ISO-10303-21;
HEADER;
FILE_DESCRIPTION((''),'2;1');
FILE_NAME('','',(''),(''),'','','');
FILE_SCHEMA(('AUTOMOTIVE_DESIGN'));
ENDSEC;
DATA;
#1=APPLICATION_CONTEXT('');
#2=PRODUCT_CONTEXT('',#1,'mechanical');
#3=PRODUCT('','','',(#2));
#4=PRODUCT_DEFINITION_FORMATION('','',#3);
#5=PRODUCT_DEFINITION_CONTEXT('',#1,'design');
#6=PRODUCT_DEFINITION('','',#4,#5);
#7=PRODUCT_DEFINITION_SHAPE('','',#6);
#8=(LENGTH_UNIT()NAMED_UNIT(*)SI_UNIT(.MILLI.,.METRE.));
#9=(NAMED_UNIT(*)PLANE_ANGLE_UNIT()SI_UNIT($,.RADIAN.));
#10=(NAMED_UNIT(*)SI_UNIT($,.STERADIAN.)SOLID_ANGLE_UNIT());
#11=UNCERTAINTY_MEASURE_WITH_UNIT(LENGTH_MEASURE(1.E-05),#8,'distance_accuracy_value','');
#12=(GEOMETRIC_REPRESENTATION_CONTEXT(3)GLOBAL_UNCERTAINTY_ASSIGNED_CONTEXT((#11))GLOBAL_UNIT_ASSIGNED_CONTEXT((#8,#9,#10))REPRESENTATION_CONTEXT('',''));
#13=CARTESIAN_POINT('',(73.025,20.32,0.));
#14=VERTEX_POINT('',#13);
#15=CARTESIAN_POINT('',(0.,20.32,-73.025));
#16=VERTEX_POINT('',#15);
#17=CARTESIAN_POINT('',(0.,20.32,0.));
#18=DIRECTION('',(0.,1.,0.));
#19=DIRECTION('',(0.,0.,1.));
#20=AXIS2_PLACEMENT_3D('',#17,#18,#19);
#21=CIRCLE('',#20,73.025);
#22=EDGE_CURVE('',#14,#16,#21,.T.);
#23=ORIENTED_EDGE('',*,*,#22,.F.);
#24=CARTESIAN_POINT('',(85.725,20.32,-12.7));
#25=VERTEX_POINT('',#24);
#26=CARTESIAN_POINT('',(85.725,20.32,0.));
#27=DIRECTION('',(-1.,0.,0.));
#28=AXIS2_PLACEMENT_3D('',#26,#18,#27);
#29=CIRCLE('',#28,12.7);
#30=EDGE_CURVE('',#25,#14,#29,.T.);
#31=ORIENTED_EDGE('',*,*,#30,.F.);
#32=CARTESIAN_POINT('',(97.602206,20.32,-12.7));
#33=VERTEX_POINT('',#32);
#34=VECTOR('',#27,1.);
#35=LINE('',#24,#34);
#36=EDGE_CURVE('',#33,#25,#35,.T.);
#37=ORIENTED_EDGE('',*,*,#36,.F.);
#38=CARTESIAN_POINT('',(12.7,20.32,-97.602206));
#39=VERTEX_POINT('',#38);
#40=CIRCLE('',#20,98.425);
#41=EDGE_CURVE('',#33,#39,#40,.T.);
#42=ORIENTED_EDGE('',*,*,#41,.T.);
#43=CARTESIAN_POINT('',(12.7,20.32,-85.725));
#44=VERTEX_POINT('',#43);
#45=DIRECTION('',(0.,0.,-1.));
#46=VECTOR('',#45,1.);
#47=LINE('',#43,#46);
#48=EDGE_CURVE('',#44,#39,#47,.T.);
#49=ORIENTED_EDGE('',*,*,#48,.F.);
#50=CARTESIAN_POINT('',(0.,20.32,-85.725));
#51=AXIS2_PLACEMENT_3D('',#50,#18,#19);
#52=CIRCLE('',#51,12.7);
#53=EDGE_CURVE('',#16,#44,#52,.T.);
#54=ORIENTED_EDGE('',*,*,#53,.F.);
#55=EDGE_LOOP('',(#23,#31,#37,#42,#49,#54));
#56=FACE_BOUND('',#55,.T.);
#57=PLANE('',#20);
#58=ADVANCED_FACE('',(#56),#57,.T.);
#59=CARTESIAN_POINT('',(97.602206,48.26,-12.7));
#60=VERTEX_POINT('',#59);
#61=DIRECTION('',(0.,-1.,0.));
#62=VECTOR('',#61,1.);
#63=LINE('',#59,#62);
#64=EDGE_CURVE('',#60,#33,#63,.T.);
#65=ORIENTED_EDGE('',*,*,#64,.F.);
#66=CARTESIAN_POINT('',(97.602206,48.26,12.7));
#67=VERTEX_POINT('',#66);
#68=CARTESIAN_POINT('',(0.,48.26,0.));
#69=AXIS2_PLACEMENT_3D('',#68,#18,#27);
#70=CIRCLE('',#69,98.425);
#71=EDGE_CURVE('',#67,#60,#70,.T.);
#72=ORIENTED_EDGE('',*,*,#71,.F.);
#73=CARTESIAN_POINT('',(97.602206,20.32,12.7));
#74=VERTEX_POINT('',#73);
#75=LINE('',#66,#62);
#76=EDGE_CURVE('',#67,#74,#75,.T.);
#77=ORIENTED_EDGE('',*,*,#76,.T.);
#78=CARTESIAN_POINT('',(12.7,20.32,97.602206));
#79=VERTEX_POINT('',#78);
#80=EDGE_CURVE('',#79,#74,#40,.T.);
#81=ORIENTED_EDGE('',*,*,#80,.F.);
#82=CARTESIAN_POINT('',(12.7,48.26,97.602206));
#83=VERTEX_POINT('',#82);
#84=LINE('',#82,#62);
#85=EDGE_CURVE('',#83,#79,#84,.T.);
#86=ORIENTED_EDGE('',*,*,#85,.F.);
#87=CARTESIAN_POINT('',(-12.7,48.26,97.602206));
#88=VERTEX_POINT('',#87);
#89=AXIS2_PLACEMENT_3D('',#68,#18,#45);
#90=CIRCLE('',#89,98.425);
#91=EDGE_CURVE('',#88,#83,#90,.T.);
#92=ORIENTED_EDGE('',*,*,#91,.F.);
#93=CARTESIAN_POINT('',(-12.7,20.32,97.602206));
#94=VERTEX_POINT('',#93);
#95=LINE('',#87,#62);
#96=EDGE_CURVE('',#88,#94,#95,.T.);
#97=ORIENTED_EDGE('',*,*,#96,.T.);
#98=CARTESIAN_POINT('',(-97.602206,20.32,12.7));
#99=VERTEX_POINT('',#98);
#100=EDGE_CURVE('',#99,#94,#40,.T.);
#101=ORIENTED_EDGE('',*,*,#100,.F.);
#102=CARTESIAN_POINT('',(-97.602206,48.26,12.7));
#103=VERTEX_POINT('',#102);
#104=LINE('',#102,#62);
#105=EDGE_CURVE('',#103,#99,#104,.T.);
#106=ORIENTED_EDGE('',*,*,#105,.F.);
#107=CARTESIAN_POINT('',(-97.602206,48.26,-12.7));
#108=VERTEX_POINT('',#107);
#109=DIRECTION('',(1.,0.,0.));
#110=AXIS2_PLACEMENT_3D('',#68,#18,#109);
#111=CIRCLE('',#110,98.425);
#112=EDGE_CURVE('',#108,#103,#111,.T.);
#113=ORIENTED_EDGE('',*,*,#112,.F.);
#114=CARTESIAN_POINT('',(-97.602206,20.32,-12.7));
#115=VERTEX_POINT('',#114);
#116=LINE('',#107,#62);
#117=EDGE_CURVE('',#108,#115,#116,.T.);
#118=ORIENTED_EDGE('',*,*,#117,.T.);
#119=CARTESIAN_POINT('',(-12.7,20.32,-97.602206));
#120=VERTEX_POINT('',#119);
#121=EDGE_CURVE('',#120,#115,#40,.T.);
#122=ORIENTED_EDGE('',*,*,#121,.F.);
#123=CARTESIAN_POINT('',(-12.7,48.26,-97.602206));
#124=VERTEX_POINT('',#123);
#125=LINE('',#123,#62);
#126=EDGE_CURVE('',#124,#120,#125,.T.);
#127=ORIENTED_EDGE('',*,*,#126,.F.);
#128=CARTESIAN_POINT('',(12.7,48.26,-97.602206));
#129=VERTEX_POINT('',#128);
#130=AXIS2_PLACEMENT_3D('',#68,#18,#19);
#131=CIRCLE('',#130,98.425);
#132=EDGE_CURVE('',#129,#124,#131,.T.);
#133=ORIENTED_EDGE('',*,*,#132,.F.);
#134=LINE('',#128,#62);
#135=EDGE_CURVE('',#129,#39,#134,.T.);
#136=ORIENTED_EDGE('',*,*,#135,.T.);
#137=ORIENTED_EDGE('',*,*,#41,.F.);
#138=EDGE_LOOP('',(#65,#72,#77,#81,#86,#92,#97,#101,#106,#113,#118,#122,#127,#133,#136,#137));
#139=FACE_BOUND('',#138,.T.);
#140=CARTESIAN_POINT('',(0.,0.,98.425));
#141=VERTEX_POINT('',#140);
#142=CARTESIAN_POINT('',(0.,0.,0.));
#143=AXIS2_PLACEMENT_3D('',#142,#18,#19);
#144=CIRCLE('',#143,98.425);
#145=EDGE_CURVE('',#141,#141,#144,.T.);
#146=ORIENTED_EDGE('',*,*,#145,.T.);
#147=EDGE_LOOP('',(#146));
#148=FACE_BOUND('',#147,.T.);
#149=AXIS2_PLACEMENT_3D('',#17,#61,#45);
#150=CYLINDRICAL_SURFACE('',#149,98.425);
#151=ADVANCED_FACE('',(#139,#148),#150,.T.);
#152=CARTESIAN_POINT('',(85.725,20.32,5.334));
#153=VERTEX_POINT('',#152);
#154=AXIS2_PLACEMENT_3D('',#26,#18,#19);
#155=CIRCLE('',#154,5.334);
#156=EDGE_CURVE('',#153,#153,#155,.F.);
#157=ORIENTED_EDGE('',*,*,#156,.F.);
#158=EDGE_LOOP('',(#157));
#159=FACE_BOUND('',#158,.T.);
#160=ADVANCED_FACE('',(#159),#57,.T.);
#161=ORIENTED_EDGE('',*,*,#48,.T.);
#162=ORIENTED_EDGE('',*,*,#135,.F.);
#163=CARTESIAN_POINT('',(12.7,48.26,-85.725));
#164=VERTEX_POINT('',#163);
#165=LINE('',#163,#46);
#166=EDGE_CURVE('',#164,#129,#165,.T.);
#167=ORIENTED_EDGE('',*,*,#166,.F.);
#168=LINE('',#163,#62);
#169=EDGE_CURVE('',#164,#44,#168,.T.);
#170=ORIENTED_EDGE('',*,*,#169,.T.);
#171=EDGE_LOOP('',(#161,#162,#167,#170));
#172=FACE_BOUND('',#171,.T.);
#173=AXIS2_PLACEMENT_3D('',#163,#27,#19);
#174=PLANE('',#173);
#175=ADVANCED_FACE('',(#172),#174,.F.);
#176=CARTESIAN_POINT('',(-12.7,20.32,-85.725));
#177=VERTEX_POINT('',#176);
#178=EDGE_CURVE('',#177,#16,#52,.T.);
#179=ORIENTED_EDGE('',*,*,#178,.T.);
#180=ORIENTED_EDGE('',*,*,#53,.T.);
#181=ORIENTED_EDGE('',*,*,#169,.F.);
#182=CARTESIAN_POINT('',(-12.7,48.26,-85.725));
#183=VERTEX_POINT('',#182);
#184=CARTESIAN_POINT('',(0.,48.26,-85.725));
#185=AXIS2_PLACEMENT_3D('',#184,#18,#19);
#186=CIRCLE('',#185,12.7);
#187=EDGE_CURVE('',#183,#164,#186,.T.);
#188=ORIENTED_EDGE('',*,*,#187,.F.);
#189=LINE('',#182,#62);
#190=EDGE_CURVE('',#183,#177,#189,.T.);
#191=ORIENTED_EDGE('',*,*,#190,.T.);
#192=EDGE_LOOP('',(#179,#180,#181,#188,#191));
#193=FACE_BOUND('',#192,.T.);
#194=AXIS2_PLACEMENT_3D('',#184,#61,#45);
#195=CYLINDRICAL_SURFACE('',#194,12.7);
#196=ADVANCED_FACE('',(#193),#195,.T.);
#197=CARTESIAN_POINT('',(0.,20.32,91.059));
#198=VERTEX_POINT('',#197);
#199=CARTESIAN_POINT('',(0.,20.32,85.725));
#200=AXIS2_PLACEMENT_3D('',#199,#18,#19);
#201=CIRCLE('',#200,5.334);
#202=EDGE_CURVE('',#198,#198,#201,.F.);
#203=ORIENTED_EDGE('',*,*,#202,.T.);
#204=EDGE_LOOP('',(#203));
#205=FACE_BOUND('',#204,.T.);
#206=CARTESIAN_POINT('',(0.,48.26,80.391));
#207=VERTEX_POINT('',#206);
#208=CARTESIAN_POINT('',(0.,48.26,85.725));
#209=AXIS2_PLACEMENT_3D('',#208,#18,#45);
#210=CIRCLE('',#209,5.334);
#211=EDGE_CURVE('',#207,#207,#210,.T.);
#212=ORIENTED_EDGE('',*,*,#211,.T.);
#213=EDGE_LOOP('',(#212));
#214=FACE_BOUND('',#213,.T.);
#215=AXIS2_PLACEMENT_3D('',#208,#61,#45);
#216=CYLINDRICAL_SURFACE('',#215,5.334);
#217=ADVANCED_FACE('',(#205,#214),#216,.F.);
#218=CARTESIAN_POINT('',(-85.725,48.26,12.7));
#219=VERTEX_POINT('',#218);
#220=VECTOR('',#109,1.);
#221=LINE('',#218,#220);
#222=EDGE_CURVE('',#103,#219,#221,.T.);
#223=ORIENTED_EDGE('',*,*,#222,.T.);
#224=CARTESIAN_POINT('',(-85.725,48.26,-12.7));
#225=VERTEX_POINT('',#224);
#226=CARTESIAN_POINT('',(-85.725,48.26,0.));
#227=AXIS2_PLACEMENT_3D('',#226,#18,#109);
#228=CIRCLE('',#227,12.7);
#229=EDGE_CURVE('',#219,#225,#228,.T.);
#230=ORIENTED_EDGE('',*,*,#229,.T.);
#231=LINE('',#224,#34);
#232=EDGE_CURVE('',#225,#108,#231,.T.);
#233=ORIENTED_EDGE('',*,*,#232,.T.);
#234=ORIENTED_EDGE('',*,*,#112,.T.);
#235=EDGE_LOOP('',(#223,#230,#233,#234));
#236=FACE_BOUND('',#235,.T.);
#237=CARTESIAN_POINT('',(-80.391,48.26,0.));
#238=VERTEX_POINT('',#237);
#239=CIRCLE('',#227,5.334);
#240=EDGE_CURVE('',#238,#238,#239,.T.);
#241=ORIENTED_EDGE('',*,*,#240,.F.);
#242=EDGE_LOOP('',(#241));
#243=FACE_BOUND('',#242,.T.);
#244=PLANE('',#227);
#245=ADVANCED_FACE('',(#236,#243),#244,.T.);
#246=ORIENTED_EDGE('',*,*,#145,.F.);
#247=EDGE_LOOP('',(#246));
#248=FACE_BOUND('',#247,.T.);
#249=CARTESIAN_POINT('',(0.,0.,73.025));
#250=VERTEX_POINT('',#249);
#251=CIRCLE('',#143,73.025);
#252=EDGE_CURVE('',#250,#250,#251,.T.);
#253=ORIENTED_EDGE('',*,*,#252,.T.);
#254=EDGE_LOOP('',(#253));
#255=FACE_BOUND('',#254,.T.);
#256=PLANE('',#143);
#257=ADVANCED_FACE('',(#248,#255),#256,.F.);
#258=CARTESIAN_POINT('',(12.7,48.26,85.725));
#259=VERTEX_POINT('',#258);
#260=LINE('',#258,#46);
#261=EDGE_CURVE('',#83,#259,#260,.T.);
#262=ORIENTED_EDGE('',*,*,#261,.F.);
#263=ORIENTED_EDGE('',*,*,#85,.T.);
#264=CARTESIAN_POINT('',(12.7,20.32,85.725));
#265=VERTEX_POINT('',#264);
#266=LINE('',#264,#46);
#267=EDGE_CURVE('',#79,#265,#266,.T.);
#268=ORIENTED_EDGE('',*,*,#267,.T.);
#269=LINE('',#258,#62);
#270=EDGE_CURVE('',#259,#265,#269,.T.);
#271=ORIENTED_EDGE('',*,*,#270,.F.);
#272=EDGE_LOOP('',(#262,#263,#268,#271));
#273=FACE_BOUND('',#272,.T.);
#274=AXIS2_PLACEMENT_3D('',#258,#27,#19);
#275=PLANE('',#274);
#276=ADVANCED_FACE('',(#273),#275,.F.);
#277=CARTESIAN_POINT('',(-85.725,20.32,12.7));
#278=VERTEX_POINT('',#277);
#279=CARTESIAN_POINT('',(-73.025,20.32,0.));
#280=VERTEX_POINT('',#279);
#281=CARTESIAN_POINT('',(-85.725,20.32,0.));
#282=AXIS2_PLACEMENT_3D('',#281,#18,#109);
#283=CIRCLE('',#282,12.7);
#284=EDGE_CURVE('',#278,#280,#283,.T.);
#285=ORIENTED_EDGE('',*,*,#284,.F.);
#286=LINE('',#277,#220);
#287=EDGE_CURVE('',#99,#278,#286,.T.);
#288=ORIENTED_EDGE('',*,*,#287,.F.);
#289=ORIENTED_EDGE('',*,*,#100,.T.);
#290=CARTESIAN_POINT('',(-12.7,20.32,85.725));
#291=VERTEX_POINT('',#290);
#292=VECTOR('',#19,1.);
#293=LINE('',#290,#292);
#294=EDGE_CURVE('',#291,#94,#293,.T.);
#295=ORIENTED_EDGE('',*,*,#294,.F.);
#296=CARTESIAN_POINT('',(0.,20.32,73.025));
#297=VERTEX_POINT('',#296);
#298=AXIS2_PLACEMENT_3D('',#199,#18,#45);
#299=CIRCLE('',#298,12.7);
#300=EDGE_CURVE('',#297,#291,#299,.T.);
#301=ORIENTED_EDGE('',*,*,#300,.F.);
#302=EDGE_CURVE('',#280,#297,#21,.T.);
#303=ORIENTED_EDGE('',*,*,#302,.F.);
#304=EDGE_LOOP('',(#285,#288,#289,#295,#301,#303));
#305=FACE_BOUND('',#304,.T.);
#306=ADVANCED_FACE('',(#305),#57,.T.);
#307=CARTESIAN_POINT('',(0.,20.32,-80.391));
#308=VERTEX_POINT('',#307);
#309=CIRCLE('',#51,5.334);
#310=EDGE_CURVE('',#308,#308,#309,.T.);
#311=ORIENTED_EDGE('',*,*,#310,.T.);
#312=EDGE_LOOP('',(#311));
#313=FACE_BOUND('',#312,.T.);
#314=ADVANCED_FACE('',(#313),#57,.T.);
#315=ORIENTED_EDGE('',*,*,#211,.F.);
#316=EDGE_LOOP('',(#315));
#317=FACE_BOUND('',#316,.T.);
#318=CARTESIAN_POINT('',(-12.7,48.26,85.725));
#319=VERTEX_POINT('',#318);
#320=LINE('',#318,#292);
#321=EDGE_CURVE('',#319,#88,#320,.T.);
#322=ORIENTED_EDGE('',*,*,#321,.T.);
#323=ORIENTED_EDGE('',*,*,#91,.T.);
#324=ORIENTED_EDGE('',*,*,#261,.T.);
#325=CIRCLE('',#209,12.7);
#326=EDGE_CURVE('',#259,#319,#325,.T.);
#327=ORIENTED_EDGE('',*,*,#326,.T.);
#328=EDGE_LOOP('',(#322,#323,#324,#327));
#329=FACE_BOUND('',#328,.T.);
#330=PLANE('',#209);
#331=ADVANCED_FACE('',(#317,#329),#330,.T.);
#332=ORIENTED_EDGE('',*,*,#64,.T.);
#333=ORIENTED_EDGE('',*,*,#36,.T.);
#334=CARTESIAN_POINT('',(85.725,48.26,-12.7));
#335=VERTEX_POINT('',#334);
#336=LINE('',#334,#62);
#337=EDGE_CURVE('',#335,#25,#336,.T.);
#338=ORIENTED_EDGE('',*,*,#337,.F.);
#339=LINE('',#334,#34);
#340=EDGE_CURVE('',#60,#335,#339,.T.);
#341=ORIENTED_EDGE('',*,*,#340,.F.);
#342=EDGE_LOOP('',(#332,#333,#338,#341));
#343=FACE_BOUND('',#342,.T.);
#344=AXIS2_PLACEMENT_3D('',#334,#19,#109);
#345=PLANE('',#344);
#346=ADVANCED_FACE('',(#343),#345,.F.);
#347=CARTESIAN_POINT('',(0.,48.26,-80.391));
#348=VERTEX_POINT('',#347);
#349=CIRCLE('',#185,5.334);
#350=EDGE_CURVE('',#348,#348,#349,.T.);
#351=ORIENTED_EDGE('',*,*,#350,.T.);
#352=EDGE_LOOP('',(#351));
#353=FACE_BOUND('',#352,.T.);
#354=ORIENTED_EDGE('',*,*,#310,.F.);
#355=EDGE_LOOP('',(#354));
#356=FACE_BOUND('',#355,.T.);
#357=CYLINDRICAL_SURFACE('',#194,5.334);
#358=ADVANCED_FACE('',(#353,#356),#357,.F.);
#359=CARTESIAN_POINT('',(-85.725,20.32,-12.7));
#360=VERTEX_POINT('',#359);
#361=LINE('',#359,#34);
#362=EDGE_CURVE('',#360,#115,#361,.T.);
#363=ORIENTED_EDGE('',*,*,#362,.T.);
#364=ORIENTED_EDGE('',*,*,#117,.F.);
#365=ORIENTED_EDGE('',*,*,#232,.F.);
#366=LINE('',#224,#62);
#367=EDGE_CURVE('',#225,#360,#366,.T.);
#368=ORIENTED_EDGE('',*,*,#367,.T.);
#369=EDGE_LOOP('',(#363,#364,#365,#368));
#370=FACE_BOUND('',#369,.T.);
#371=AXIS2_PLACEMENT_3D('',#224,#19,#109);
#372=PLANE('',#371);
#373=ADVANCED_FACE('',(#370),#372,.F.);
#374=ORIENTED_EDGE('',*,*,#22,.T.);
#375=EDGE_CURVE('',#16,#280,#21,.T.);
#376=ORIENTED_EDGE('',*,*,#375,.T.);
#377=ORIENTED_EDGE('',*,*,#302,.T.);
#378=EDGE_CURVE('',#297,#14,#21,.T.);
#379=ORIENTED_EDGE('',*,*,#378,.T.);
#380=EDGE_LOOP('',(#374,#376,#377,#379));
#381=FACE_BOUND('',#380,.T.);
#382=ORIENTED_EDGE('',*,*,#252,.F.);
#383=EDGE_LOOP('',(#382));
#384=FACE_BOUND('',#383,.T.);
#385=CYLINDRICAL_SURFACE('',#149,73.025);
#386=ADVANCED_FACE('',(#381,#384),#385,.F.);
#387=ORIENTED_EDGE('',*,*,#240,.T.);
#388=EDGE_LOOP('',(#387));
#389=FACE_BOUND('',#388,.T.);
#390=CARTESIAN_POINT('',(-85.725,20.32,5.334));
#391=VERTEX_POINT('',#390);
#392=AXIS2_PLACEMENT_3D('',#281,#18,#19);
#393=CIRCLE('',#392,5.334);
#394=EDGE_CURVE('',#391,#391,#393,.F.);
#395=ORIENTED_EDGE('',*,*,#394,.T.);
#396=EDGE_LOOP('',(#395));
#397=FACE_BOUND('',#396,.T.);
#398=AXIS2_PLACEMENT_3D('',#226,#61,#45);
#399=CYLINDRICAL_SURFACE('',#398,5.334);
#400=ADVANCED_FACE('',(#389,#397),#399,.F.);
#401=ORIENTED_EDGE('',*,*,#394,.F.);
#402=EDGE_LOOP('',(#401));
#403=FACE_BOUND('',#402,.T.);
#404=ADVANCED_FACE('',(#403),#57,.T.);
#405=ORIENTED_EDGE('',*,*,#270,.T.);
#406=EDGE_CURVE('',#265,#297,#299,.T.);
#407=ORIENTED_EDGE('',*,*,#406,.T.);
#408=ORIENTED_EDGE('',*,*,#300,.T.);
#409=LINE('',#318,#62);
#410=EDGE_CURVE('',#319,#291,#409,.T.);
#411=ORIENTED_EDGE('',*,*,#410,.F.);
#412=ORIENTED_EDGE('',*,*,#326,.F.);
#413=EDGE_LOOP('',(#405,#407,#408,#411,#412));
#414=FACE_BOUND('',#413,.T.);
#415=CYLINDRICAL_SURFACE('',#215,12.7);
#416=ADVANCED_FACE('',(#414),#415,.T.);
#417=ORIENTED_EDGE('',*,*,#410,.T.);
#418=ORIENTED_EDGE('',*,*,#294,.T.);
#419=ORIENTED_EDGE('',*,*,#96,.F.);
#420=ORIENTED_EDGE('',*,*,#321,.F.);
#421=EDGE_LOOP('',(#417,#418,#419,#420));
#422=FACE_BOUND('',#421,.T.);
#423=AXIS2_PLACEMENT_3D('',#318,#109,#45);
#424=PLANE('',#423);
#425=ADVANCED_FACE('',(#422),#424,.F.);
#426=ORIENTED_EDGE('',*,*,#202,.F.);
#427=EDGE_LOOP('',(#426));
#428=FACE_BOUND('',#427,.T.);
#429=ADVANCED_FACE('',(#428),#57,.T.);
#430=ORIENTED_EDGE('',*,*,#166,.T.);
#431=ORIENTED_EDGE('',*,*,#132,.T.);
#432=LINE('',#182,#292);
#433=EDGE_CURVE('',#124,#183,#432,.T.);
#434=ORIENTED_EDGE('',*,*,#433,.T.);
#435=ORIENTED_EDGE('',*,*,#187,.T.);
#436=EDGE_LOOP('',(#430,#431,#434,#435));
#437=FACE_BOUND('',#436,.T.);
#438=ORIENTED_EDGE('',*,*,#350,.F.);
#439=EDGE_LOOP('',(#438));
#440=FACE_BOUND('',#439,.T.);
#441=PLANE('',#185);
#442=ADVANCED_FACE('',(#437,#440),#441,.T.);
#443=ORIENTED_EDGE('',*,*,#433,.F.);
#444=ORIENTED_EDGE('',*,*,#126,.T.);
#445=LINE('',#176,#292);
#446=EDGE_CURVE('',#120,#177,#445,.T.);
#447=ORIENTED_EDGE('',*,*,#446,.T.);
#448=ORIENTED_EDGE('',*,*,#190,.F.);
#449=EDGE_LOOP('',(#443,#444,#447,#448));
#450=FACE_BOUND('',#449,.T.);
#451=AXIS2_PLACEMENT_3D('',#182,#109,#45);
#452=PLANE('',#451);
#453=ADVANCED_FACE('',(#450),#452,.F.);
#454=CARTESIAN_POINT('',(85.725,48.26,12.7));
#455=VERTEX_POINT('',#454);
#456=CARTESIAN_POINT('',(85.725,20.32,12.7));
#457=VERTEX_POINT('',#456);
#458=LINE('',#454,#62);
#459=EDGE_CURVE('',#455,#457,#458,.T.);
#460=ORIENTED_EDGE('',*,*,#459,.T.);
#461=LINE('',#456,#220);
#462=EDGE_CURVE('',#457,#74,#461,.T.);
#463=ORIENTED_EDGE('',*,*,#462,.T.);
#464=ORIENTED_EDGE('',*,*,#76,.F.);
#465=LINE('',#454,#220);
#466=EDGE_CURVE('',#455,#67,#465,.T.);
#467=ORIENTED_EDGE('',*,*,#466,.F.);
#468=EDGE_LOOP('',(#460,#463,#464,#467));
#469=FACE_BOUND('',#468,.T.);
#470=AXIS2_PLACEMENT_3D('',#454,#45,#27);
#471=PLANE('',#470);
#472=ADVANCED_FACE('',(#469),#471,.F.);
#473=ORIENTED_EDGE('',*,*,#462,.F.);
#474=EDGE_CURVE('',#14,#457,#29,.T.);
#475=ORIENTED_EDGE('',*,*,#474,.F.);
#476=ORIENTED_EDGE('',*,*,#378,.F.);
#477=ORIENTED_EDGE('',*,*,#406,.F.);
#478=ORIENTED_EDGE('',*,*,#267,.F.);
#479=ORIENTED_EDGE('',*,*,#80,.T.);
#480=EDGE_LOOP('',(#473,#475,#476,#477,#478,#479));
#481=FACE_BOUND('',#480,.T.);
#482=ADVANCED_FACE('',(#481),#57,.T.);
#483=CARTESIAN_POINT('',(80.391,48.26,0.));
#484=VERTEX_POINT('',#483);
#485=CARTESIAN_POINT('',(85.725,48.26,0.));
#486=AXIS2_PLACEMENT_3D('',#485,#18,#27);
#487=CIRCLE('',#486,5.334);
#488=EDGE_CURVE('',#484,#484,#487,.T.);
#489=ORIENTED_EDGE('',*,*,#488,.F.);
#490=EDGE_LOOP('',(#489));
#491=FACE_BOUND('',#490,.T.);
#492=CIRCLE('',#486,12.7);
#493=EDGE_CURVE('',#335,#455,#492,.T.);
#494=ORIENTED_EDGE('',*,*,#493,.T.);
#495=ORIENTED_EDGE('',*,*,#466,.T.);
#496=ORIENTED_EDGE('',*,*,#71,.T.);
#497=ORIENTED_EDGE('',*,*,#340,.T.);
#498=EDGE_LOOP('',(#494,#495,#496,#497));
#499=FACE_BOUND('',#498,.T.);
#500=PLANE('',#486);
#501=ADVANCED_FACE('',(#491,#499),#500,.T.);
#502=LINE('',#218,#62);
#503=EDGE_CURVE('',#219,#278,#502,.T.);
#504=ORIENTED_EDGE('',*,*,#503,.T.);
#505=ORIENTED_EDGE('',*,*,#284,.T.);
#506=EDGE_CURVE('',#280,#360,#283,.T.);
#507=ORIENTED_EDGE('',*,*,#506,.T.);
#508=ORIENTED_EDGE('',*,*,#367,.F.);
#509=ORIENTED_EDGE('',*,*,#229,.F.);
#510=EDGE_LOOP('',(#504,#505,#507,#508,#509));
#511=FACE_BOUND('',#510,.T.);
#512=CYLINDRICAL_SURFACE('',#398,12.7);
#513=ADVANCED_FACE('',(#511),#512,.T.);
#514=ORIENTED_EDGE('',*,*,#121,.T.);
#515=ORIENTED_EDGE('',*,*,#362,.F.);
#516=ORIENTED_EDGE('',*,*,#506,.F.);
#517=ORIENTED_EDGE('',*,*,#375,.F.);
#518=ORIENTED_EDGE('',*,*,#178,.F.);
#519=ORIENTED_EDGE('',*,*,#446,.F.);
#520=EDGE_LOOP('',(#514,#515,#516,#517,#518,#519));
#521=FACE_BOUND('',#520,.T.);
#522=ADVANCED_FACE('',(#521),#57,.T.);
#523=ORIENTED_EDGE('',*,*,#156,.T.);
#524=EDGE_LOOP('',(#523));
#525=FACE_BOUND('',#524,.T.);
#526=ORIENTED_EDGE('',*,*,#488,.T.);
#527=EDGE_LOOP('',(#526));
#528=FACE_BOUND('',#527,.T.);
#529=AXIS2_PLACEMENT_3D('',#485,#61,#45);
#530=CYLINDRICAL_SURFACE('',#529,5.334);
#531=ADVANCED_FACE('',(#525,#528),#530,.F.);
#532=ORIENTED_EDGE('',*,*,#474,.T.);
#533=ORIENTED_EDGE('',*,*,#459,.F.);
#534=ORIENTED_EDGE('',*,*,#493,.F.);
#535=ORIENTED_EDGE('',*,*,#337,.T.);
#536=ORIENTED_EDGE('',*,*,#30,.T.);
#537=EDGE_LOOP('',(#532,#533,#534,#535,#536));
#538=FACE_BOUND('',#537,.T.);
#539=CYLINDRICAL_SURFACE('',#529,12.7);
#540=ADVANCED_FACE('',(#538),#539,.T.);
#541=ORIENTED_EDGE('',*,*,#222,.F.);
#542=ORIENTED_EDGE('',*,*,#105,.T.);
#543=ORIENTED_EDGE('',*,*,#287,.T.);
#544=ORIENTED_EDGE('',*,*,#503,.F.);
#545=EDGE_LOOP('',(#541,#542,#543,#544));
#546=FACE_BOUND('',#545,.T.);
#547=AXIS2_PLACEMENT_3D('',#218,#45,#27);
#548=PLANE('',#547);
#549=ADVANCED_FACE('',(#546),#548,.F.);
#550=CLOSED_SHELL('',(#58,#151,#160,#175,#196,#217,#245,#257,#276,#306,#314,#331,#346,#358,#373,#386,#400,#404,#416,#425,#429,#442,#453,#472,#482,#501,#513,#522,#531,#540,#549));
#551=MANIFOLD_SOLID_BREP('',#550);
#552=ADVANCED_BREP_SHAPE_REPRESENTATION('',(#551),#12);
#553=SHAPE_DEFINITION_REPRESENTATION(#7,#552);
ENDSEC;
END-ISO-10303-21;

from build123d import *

# Parameters (mm, degrees)
SKETCH1_R           = 98.425
SKETCH1_R_2         = 73.025
BOSS_EXTRUDE1_DEPTH = 20.32
SKETCH9_R           = 5.334
BOSS_EXTRUDE6_DEPTH = 27.94
CIRPATTERN5_COUNT   = 4


with BuildPart() as part:
    # Sketch1 → Boss-Extrude1 (new body)
    with BuildSketch(Plane(origin=(0, 0, 0), x_dir=(1, 0, 0), z_dir=(0, 1, 0))):
        Circle(SKETCH1_R)
        Circle(SKETCH1_R_2, mode=Mode.SUBTRACT)
    extrude(amount=BOSS_EXTRUDE1_DEPTH)

    # Sketch9 → Boss-Extrude6 (add)
    with BuildSketch(Plane(origin=(0, 20.32, 0), x_dir=(1, 0, 0), z_dir=(0, 1, 0))):
        with BuildLine():
            Line((-12.7, 85.725), (-12.7, 97.602206046))
            ThreePointArc((-12.7, 97.602206046), (0, 98.425), (12.7, 97.602206046))
            Line((12.7, 97.602206046), (12.7, 85.725))
            ThreePointArc((12.7, 85.725), (0, 73.025), (-12.7, 85.725))
        make_face()
        with Locations((0, 85.725)):
            Circle(SKETCH9_R, mode=Mode.SUBTRACT)
    boss_extrude6 = extrude(amount=BOSS_EXTRUDE6_DEPTH)

    # CirPattern5: Boss-Extrude6 ×4 about axis
    cirpattern5_axis = Axis((0, 0, 0), (0, 1, 0))
    for i in range(1, CIRPATTERN5_COUNT):
        add(boss_extrude6.rotate(cirpattern5_axis, i * 360 / CIRPATTERN5_COUNT))


solid = part.part
